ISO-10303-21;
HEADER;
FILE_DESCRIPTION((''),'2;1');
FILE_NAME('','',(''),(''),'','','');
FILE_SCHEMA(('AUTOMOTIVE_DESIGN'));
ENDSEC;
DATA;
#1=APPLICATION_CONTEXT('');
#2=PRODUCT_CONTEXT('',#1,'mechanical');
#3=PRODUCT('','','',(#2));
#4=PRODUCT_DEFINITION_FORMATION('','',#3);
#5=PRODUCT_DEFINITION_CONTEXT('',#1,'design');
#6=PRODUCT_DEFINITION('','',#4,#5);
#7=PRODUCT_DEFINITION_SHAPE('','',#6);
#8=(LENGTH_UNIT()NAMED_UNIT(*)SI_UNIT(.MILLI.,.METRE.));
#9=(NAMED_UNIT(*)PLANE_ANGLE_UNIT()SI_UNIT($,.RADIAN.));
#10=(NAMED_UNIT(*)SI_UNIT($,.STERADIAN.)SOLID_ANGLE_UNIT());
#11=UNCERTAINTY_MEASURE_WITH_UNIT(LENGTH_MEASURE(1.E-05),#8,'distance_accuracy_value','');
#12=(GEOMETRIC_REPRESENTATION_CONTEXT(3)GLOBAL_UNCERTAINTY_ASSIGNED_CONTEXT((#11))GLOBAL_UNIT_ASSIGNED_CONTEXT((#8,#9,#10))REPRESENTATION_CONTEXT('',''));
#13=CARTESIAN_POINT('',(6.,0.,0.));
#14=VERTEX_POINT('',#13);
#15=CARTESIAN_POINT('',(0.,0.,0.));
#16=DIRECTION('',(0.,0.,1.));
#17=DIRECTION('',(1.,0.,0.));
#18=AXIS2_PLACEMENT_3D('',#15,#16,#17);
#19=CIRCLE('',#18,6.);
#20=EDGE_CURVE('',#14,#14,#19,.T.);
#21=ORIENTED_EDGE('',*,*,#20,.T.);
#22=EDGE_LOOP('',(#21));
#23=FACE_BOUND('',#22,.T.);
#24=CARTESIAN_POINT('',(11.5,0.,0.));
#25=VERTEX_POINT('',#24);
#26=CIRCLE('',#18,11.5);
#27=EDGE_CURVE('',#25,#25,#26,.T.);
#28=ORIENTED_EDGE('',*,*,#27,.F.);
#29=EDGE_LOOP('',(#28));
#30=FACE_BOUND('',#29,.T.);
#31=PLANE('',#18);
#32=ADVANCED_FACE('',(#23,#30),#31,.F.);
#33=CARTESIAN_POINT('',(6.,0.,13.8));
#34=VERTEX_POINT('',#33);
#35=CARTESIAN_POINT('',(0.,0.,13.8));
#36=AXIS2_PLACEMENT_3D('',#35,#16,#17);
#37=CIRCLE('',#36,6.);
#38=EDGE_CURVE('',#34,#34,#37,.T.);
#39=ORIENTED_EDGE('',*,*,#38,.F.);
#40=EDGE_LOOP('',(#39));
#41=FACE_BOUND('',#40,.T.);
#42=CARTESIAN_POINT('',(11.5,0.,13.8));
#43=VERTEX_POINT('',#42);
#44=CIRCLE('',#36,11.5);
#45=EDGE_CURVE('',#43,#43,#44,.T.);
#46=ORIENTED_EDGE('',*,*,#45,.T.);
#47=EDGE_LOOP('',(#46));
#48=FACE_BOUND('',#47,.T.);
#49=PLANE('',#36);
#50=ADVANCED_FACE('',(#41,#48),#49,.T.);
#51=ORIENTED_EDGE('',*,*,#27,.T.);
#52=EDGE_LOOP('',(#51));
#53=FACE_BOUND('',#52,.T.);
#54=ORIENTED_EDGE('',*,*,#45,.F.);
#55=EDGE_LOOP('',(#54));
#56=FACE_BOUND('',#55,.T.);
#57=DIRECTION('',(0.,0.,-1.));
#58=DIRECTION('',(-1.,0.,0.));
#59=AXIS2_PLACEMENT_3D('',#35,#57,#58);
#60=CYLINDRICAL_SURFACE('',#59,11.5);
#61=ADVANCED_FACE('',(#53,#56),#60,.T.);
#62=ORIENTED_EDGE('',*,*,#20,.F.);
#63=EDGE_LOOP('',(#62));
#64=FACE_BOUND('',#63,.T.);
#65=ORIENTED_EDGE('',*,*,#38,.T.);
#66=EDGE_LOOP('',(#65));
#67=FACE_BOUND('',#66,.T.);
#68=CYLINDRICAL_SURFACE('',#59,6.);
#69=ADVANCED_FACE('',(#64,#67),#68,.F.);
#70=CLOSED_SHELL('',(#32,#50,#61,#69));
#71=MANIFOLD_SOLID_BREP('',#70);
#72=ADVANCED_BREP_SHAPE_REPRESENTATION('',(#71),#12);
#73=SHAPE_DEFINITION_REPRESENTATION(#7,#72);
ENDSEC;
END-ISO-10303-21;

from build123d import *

# Parameters (mm, degrees)
ESQUISSE1_R        = 11.5
ESQUISSE1_R_2      = 6
BOSS_EXTRU_1_DEPTH = 13.8


with BuildPart() as part:
    # Esquisse1 → Boss.-Extru.1 (new body)
    with BuildSketch(Plane.XY):
        Circle(ESQUISSE1_R)
        Circle(ESQUISSE1_R_2, mode=Mode.SUBTRACT)
    extrude(amount=BOSS_EXTRU_1_DEPTH)


solid = part.part
